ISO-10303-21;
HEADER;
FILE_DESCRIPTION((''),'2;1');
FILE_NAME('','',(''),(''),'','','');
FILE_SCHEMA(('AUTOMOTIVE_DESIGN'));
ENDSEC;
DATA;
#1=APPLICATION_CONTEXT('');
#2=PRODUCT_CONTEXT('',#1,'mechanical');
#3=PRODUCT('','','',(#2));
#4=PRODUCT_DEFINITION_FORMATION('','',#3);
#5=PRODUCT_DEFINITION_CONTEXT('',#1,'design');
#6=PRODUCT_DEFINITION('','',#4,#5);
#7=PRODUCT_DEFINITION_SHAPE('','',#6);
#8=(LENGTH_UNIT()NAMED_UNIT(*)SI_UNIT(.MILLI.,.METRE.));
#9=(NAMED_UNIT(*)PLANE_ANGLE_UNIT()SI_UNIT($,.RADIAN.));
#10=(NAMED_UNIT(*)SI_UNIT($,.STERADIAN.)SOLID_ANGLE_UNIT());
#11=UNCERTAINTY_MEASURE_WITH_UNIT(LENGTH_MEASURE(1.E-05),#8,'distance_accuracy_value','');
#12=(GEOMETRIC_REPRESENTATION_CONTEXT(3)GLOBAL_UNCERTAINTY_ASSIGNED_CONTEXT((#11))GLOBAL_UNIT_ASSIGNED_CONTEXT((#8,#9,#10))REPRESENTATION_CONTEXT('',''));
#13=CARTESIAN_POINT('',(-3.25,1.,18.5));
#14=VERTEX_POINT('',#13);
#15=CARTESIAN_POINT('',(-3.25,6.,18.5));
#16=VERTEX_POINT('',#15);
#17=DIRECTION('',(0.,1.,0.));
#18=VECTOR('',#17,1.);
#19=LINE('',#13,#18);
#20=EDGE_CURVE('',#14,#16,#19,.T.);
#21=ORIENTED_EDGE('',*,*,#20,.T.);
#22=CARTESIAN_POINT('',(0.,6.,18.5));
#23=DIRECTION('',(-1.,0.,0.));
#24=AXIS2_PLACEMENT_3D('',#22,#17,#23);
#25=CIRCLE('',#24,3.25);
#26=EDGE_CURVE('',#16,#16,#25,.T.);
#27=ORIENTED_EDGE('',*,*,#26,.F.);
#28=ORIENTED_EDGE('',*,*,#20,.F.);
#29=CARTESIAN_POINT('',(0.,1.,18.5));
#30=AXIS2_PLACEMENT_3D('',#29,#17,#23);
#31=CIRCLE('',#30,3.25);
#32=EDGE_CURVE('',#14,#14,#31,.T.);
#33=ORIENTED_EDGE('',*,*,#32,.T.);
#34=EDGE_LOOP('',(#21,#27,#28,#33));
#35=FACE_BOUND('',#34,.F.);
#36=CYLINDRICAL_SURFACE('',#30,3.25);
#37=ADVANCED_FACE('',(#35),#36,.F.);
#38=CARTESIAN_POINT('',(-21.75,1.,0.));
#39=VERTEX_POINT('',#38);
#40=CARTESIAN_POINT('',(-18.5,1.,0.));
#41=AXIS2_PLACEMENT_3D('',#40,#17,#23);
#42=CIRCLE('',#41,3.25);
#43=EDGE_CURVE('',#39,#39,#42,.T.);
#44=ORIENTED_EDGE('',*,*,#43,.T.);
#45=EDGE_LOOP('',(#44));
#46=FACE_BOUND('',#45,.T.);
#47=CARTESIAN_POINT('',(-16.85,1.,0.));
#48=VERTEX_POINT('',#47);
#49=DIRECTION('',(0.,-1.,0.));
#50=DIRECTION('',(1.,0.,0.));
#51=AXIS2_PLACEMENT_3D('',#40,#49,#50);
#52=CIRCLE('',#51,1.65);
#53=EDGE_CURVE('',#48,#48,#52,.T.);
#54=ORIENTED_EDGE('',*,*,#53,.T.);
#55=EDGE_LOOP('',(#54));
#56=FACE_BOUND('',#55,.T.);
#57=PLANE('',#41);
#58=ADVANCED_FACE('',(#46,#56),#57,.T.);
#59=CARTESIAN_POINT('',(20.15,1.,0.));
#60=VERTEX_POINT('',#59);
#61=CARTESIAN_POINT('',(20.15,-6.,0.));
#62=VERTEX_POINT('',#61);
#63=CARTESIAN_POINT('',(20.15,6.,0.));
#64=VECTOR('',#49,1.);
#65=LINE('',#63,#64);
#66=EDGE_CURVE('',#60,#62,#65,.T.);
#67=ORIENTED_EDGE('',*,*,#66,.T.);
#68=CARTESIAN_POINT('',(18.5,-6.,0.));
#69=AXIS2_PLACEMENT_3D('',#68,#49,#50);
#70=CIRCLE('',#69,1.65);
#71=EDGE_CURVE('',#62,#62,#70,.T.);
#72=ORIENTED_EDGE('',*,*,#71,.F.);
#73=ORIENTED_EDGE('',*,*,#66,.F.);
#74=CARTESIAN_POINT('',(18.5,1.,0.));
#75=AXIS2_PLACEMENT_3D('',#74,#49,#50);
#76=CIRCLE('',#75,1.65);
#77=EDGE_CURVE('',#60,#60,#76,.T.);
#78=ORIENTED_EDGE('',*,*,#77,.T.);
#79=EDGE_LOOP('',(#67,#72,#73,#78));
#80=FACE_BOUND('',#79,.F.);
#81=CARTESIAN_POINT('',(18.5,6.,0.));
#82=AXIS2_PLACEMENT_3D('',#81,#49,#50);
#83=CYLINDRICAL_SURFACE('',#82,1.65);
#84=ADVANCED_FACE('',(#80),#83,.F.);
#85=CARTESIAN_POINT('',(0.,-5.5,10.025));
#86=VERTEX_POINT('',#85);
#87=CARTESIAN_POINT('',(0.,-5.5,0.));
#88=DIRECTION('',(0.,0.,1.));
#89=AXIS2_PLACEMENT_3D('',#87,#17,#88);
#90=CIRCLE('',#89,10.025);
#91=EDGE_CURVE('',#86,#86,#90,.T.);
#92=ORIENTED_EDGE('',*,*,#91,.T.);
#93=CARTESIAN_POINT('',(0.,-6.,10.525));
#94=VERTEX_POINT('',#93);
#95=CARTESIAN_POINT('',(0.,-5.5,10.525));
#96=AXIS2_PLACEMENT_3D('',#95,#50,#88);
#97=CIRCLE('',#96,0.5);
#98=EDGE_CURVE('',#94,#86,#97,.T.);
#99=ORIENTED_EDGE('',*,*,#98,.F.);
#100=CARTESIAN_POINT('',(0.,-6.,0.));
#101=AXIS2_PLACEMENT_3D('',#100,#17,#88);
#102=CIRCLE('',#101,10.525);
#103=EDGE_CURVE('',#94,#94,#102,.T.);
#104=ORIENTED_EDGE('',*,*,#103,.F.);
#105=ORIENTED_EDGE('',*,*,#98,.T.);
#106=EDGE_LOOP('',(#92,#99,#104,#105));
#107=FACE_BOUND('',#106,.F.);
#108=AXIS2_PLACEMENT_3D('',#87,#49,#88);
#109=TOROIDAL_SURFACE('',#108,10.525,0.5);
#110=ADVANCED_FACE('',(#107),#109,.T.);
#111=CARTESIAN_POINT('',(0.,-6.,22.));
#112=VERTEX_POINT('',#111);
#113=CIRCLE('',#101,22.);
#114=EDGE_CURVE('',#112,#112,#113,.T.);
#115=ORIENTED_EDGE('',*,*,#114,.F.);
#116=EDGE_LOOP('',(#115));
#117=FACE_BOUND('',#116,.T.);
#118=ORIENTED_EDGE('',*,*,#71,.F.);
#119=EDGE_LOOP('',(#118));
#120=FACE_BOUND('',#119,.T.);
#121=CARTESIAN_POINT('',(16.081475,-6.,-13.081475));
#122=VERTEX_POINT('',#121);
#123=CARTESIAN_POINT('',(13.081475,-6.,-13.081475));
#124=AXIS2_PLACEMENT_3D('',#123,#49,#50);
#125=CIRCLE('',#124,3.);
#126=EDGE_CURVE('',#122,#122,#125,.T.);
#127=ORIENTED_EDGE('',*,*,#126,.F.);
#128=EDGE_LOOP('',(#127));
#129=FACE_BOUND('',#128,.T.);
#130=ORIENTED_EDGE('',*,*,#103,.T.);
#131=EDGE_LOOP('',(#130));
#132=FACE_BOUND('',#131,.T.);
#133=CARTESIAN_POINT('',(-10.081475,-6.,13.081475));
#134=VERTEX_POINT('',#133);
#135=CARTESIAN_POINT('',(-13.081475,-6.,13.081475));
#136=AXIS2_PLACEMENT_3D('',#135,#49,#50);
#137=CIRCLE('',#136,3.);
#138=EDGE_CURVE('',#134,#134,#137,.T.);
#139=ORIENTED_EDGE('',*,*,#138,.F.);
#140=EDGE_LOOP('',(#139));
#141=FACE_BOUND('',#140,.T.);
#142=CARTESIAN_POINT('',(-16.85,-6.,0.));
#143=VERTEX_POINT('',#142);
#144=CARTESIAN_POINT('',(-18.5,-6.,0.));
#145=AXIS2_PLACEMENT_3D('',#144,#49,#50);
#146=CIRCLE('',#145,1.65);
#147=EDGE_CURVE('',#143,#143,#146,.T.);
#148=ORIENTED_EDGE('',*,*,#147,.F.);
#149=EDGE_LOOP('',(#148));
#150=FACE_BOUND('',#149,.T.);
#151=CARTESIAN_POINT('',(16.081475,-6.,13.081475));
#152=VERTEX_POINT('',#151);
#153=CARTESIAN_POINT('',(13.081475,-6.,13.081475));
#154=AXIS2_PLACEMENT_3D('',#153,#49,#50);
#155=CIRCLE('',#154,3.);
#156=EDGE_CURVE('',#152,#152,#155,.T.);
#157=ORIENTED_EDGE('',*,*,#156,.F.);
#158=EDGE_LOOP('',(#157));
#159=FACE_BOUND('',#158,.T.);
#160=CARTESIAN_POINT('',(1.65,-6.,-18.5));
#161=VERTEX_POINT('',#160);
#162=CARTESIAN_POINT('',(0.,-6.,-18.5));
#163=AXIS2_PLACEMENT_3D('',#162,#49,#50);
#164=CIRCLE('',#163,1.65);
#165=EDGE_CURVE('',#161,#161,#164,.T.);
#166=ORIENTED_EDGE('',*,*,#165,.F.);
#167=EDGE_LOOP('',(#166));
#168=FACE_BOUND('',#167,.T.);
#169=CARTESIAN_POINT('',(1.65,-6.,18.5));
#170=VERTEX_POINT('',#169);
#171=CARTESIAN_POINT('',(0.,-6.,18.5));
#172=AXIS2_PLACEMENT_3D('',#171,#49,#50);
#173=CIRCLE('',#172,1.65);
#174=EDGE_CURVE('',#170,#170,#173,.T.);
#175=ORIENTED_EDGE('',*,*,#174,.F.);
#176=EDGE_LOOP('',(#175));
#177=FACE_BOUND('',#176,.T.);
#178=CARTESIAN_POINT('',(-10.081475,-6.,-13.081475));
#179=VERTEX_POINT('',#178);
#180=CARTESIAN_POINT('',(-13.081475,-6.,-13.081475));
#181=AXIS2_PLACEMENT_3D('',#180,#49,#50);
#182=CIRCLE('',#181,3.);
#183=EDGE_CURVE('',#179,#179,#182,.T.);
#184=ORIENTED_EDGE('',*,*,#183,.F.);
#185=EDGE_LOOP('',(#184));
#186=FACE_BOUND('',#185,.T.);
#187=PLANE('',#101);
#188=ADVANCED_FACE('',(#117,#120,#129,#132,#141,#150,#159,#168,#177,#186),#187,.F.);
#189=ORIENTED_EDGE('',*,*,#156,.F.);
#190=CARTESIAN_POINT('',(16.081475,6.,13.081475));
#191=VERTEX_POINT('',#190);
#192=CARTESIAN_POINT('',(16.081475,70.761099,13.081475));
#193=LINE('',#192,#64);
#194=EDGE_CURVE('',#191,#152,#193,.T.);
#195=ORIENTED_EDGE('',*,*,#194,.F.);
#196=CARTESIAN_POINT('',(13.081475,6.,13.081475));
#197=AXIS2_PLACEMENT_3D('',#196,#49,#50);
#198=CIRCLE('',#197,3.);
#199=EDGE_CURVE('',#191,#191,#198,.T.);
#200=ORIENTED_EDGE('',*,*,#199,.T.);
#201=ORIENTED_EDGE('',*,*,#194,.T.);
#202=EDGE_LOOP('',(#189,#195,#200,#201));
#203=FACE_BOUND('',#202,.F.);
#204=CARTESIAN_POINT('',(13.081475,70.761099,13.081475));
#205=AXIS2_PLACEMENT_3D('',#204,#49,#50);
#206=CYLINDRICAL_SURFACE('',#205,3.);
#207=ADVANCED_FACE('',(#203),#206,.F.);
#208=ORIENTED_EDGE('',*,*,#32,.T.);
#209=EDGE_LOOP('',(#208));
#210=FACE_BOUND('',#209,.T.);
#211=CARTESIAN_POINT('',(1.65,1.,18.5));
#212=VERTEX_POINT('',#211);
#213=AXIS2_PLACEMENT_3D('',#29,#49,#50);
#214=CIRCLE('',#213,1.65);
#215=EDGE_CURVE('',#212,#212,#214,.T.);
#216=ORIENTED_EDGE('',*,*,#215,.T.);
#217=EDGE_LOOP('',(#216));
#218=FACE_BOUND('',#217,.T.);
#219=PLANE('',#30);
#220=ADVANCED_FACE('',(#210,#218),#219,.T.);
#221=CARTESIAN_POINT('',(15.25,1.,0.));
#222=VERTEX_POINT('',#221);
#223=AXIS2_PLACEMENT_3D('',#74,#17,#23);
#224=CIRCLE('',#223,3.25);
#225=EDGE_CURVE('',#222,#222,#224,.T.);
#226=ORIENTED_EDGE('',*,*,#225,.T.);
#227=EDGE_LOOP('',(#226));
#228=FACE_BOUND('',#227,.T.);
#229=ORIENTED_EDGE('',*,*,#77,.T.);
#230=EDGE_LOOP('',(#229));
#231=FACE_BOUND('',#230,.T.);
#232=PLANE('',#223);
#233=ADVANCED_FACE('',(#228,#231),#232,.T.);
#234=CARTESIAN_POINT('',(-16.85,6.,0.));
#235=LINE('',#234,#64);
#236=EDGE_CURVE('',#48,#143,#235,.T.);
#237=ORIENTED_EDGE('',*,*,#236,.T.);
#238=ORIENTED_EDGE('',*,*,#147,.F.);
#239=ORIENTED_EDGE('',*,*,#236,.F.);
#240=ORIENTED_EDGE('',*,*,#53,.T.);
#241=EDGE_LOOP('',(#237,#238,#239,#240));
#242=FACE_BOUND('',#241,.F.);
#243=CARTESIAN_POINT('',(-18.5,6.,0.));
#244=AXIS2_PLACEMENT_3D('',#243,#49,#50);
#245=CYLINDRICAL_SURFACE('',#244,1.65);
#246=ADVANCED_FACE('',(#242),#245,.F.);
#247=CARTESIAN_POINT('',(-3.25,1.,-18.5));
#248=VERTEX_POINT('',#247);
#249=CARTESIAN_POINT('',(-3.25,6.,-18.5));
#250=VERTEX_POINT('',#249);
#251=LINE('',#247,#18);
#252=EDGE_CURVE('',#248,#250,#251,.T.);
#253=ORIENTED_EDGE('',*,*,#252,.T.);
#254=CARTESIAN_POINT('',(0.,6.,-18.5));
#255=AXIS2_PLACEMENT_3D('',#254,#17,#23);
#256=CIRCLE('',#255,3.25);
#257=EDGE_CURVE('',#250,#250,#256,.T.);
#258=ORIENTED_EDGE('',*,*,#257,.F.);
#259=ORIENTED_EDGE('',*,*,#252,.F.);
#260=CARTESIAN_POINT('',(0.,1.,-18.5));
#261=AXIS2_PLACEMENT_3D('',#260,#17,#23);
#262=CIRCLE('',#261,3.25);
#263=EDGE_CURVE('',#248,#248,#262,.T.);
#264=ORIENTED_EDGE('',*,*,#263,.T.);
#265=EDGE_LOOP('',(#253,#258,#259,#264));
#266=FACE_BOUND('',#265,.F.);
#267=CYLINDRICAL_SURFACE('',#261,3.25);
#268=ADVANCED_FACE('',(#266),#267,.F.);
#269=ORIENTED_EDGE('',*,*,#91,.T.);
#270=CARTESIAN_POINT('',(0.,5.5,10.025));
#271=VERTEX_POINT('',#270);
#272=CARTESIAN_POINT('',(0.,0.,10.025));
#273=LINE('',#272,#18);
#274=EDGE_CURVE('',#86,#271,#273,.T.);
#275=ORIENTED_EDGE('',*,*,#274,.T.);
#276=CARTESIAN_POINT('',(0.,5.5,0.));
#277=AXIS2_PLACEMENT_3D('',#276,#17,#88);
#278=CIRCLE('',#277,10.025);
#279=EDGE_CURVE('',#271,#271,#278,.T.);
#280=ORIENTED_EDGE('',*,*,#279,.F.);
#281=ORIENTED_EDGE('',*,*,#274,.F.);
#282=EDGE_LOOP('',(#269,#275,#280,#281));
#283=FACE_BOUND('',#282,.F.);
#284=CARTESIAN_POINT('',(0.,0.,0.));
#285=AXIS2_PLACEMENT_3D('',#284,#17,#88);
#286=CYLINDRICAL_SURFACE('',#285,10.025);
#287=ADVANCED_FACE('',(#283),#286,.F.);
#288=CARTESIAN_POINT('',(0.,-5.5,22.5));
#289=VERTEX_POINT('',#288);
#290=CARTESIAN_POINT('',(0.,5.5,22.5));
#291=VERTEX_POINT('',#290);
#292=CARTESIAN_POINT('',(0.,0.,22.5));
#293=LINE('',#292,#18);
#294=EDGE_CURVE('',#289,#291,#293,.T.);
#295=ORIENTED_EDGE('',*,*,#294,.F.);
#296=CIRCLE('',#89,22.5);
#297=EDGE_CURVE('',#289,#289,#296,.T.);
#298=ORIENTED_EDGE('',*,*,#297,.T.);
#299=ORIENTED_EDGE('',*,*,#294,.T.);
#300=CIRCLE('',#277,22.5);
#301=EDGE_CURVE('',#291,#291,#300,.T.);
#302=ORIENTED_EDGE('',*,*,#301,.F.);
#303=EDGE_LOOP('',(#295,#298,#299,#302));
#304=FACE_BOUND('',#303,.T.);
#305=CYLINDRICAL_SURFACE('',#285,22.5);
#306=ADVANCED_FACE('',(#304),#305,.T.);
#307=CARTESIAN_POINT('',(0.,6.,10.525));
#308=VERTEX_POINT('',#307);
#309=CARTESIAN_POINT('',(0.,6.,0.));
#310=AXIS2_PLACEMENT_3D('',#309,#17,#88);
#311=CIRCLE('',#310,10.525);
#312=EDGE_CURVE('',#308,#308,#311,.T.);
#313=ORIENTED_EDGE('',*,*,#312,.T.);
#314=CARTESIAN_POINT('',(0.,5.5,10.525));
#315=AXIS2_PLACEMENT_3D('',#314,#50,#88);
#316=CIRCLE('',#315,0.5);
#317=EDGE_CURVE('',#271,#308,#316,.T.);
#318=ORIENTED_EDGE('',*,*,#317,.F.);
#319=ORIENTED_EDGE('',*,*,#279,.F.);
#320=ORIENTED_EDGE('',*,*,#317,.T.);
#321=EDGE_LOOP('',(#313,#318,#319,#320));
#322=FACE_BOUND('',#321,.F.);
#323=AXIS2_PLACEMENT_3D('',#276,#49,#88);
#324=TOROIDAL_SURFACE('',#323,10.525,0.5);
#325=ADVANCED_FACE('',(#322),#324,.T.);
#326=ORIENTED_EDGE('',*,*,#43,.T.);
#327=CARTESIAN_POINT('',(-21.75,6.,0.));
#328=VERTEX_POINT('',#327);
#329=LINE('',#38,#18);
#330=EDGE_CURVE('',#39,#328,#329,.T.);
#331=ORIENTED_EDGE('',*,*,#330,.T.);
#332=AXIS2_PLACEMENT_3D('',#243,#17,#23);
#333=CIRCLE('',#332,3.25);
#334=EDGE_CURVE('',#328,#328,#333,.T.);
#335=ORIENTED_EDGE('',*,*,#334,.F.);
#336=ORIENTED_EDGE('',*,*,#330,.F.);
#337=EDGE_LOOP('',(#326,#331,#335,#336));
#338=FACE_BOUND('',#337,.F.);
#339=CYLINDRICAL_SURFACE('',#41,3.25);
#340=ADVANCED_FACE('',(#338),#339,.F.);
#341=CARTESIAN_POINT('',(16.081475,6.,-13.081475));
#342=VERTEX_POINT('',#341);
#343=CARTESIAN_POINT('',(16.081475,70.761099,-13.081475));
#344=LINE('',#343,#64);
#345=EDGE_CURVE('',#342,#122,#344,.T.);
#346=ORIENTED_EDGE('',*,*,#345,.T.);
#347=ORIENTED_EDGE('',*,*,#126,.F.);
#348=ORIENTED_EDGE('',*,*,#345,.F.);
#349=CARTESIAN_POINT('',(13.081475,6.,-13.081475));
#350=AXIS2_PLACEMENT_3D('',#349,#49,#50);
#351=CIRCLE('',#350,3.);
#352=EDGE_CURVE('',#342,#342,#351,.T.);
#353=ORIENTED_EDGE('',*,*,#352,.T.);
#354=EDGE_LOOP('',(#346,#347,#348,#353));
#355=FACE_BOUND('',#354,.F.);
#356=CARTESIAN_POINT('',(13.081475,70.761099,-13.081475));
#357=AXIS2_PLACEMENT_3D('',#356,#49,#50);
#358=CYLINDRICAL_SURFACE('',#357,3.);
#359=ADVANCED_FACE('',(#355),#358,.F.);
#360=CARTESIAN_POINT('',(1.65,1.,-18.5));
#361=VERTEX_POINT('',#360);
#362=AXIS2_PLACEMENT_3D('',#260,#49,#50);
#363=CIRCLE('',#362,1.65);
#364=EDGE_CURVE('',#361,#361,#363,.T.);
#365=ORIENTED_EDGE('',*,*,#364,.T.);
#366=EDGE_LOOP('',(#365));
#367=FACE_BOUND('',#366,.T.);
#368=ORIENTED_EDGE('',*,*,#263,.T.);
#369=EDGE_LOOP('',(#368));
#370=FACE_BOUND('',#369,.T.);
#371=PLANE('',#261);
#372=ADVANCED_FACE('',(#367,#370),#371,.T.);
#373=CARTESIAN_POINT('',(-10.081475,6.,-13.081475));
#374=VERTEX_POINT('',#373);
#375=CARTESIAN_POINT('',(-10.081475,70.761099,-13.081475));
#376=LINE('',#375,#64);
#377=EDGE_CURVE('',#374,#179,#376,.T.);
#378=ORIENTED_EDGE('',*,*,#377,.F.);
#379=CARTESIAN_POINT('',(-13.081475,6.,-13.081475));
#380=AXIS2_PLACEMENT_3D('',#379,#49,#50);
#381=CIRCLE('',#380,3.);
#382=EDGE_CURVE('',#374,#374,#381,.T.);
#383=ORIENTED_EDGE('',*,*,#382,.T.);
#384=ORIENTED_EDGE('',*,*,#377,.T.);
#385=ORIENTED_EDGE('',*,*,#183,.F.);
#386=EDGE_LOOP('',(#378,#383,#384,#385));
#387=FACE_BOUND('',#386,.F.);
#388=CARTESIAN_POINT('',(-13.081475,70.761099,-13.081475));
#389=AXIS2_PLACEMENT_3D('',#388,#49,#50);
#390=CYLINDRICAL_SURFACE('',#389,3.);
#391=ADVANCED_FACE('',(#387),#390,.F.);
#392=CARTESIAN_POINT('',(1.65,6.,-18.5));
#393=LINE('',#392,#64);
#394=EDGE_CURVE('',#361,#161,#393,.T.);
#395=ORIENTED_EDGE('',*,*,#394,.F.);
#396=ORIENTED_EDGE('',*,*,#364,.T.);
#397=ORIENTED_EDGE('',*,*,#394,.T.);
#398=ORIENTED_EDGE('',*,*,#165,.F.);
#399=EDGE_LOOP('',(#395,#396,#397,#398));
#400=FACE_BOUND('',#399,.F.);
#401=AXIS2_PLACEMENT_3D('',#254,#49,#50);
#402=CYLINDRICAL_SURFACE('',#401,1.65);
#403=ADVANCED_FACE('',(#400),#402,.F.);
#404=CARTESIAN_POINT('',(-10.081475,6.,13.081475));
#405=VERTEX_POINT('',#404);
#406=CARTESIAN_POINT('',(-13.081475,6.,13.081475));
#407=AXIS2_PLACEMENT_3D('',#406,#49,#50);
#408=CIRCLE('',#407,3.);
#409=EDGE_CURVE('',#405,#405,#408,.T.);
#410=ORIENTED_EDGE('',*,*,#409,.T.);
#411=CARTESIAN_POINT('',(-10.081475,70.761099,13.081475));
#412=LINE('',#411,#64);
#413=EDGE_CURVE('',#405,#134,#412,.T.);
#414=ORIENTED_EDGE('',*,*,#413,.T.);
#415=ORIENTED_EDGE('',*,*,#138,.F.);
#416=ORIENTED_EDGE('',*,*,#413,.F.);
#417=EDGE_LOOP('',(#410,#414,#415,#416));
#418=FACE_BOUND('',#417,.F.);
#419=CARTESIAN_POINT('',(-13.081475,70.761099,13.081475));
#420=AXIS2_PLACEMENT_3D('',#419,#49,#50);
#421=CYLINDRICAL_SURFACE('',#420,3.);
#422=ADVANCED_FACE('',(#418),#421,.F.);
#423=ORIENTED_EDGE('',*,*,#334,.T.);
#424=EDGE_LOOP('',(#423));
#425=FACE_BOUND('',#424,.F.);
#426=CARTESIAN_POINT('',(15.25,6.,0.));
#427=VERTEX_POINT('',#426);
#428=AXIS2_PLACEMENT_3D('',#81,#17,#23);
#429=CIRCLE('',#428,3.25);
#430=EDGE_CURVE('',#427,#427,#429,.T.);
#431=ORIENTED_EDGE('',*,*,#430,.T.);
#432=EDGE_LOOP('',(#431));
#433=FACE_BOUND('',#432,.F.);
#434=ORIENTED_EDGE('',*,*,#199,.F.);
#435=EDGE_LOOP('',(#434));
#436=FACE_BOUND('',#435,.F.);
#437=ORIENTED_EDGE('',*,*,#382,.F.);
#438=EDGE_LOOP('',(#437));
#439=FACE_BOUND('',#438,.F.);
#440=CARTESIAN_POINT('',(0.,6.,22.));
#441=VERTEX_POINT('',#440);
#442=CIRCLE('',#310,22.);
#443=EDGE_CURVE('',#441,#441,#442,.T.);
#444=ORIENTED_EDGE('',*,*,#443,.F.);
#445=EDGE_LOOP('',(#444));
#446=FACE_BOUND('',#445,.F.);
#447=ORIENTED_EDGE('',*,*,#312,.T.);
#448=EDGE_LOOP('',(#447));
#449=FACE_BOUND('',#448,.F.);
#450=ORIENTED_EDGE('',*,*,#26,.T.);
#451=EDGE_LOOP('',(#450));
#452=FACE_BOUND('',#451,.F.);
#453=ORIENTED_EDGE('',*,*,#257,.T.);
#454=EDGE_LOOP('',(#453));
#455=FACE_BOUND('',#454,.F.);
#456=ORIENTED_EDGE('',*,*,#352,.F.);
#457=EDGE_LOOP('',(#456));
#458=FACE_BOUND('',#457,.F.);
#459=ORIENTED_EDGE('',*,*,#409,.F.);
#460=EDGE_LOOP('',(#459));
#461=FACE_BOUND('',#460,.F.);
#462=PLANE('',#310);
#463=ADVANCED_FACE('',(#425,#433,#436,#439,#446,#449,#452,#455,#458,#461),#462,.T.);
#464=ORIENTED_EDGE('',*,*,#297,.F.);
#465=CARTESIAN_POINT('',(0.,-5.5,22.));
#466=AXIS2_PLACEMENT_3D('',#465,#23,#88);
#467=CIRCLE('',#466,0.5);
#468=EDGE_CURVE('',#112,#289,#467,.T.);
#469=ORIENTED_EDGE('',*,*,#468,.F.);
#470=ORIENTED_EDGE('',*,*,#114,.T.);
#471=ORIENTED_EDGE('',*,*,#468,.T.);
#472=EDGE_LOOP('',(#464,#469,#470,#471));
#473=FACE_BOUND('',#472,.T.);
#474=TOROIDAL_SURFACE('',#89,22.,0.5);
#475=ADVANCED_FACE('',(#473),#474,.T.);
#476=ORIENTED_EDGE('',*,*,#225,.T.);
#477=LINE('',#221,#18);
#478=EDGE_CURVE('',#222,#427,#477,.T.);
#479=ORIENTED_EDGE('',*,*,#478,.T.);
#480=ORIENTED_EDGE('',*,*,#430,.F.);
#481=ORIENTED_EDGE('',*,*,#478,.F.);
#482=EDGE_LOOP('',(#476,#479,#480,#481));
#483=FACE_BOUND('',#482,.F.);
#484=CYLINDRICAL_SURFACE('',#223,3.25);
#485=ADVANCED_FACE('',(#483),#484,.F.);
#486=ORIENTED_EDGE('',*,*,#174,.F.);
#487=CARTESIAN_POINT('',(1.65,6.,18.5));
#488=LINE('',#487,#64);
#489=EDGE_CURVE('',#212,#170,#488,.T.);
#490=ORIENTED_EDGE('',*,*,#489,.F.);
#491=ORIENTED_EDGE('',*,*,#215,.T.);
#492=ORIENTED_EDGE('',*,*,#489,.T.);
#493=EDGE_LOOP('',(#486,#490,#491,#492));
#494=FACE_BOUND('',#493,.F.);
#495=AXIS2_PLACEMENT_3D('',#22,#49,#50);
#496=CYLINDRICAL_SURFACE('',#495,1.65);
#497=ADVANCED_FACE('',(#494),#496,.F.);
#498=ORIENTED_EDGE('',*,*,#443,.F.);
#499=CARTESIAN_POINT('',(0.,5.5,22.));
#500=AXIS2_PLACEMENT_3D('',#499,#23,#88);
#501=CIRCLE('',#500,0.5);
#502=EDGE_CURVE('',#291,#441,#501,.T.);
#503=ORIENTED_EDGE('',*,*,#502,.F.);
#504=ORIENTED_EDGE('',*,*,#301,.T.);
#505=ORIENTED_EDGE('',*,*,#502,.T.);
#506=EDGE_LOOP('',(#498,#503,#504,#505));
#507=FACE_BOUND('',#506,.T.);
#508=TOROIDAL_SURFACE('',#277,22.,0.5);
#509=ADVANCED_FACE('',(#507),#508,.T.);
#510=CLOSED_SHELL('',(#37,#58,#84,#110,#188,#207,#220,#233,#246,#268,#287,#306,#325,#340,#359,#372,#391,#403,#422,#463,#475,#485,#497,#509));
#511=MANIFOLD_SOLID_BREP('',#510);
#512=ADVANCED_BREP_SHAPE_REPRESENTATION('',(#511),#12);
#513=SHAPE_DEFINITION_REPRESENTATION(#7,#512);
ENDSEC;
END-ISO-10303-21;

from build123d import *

# Parameters (mm, degrees)
F0_W           = 12
F0_H           = 12.475
F3_D           = 6
F4_D           = 3.3
F4_CBORE_D     = 6.5
F4_CBORE_DEPTH = 5
F5_R           = 0.5


with BuildPart() as f1:
    # F0 (on Right) → F1 (revolve)
    with BuildSketch(Plane.YZ):
        with Locations((0, 16.2625)):
            Rectangle(F0_W, F0_H)
    revolve(axis=Axis((0, 1.880541, 0), (0, 1, 0)))

    # F3 (through all)
    with Locations(Plane(origin=(0, 6, 0), x_dir=(-1, 0, 0), z_dir=(0, 1, 0))):
        with Locations((-13.081475, 13.081475), (13.081475, 13.081475), (-13.081475, -13.081475), (13.081475, -13.081475)):
            Hole(F3_D / 2)

    # F4 (through all)
    with Locations(Plane(origin=(0, 6, 0), x_dir=(-1, 0, 0), z_dir=(0, 1, 0))):
        with Locations((-18.5, 0), (0, -18.5), (18.5, 0), (0, 18.5)):
            CounterBoreHole(F4_D / 2, F4_CBORE_D / 2, F4_CBORE_DEPTH)

    # F5
    f5_edges = [f1.edges().sort_by_distance(p)[0] for p in [
        (0, 6, -22.5),
        (0, -6, -22.5),
        (0, 6, -10.025),
        (0, -6, -10.025),
        (0, 0, 10.025),
    ]]
    fillet(f5_edges, radius=F5_R)


solid = f1.part
